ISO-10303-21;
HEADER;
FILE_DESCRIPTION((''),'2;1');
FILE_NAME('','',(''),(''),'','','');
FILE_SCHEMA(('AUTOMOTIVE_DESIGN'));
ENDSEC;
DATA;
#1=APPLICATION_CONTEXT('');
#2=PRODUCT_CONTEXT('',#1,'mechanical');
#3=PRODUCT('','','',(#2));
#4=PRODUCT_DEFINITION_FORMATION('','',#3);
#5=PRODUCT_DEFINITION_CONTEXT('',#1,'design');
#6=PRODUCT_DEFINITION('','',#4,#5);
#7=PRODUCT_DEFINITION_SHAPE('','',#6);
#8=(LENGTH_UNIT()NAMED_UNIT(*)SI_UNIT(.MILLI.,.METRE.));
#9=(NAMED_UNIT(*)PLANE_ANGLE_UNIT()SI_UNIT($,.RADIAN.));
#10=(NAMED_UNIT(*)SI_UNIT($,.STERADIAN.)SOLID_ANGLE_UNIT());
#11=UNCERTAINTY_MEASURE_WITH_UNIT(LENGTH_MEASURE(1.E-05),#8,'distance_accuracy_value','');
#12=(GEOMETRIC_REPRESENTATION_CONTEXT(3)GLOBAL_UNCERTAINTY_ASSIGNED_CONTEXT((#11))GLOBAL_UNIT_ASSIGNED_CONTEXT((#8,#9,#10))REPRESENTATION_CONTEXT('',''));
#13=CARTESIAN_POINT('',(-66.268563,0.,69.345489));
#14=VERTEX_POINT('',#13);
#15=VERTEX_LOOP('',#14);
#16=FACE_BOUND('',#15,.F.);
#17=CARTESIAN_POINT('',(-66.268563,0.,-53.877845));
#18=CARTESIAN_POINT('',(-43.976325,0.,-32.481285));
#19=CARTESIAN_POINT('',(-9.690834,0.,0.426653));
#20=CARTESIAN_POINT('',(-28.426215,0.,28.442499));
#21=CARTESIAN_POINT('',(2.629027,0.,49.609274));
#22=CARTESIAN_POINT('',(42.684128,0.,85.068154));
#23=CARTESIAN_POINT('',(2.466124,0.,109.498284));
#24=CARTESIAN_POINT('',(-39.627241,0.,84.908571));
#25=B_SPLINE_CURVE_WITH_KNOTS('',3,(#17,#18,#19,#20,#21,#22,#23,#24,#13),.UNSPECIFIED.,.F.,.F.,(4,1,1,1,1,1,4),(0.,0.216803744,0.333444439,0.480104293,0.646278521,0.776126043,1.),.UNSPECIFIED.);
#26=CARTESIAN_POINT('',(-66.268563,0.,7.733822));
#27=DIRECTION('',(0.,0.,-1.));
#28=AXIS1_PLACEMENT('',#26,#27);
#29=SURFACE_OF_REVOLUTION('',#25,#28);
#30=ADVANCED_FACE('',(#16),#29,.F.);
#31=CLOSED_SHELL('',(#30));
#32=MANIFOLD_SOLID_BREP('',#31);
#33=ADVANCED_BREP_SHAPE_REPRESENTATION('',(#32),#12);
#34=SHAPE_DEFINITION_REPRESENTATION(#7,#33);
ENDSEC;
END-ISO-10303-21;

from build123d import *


with BuildPart() as f1:
    # F0 (on Front) → F1 (revolve)
    with BuildSketch(Plane.XZ):
        with BuildLine():
            add(Edge.make_bspline(
                [(-66.2685632706, -53.8778454065), (-43.9763251675, -32.4812848554), (-9.6908340844, 0.4266529924), (-28.4262153815, 28.4424990113), (2.6290266926, 49.6092736248), (42.6841281583, 85.0681536863), (2.4661235345, 109.4982841449), (-39.6272407021, 84.9085710955), (-66.2685632706, 69.3454891443)],
                knots=[0, 0, 0, 0, 0.2168037437, 0.3334444387, 0.4801042927, 0.6462785215, 0.7761260431, 1, 1, 1, 1], degree=3))
            Line((-66.2685632706, 69.3454891443), (-66.2685632706, -53.8778454065))
        make_face()
    revolve(axis=Axis((-66.2685632706, 0, 7.7338218689), (0, 0, -1)))


solid = f1.part
